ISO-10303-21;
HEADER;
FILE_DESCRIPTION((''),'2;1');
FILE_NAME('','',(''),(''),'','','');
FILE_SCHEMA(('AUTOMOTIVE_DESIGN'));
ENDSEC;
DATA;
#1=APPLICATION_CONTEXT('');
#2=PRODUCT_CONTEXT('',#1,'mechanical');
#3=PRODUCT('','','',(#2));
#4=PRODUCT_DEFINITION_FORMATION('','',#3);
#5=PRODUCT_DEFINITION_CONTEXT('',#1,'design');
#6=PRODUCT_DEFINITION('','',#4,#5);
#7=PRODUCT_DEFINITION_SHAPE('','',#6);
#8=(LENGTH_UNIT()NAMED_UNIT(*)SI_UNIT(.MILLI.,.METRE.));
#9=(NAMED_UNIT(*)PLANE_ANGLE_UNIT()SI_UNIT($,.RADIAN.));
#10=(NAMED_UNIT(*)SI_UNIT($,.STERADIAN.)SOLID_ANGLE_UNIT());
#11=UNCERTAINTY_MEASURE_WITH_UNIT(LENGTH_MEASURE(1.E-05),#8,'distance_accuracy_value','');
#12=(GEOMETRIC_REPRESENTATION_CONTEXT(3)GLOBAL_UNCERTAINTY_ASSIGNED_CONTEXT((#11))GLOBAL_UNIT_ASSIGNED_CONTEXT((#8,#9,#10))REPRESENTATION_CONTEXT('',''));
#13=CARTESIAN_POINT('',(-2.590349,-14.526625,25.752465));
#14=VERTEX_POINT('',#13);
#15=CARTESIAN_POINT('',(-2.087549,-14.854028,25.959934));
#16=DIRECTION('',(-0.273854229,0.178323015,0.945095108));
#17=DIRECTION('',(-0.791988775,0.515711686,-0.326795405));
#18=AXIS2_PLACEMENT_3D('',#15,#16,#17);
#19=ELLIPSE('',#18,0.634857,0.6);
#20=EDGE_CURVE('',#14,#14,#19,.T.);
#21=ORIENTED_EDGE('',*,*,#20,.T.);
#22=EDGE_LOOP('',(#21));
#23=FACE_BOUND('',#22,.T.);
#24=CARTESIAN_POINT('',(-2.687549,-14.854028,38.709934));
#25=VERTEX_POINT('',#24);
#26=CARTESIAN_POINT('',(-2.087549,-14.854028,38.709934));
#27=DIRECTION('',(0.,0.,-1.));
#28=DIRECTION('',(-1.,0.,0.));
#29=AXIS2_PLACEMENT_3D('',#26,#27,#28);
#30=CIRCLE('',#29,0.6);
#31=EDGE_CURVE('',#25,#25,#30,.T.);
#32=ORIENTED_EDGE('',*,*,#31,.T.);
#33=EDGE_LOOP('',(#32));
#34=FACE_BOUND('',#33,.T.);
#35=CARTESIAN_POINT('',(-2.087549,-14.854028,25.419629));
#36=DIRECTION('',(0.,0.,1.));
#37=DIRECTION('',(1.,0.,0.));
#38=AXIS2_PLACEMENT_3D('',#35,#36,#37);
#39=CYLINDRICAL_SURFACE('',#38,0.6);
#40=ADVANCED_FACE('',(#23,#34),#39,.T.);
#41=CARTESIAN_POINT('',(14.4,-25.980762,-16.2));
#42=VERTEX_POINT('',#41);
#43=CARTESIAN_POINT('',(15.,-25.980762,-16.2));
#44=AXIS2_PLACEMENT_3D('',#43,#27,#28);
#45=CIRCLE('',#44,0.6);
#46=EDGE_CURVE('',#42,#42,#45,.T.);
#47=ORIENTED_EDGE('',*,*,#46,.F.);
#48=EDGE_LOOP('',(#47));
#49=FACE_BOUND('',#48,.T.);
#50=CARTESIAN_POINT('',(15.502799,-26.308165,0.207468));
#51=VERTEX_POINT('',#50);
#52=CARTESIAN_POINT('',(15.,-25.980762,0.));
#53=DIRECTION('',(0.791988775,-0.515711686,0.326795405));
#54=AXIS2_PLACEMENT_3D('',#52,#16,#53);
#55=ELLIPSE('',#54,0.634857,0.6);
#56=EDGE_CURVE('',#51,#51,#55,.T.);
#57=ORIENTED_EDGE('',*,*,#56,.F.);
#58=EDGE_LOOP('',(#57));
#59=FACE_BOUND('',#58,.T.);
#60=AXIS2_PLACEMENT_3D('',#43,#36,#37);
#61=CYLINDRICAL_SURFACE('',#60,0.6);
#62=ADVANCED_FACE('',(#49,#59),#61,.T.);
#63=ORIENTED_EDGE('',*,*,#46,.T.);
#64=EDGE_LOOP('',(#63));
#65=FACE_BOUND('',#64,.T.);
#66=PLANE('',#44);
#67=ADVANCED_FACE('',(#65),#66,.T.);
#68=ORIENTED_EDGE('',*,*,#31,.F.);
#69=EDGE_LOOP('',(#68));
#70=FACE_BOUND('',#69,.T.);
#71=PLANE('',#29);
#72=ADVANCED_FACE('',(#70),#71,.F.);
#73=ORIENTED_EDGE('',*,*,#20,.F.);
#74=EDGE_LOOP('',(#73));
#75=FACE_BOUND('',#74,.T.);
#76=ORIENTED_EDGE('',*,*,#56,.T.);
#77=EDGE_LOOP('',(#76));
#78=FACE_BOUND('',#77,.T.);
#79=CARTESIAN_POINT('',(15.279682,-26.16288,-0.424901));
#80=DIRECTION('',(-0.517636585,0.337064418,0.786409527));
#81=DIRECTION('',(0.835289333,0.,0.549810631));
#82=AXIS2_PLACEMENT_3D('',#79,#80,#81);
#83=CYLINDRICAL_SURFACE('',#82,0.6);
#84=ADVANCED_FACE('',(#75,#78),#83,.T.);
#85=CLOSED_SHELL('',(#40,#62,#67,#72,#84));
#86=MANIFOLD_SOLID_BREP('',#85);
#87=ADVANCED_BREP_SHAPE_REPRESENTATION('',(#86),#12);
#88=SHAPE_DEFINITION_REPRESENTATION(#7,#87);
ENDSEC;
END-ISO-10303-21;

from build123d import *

# Parameters (mm, degrees)
ROUND_TPU_CORD_1_2_MM_PROFILE_R = 0.6


with BuildPart() as part:
    # Round TPU cord - 1.2 mm: sweep along a curve in space
    with BuildLine() as round_tpu_cord_1_2_mm_path:
        Line((15, -25.980762114, -16.2), (15, -25.980762114, 0))
        Line((15, -25.980762114, 0), (-2.087549118, -14.854027692, 25.959933688))
        Line((-2.087549118, -14.854027692, 25.959933688), (-2.087549118, -14.854027692, 38.709933688))
    # Round TPU cord - 1.2 mm profile (on start of the path) → Round TPU cord - 1.2 mm (sweep)
    with BuildSketch(Plane(origin=(15, -25.980762114, -16.2), x_dir=(1, 0, 0), z_dir=(0, 0, 1))):
        Circle(ROUND_TPU_CORD_1_2_MM_PROFILE_R)
    sweep(path=round_tpu_cord_1_2_mm_path.line, transition=Transition.RIGHT)


solid = part.part
